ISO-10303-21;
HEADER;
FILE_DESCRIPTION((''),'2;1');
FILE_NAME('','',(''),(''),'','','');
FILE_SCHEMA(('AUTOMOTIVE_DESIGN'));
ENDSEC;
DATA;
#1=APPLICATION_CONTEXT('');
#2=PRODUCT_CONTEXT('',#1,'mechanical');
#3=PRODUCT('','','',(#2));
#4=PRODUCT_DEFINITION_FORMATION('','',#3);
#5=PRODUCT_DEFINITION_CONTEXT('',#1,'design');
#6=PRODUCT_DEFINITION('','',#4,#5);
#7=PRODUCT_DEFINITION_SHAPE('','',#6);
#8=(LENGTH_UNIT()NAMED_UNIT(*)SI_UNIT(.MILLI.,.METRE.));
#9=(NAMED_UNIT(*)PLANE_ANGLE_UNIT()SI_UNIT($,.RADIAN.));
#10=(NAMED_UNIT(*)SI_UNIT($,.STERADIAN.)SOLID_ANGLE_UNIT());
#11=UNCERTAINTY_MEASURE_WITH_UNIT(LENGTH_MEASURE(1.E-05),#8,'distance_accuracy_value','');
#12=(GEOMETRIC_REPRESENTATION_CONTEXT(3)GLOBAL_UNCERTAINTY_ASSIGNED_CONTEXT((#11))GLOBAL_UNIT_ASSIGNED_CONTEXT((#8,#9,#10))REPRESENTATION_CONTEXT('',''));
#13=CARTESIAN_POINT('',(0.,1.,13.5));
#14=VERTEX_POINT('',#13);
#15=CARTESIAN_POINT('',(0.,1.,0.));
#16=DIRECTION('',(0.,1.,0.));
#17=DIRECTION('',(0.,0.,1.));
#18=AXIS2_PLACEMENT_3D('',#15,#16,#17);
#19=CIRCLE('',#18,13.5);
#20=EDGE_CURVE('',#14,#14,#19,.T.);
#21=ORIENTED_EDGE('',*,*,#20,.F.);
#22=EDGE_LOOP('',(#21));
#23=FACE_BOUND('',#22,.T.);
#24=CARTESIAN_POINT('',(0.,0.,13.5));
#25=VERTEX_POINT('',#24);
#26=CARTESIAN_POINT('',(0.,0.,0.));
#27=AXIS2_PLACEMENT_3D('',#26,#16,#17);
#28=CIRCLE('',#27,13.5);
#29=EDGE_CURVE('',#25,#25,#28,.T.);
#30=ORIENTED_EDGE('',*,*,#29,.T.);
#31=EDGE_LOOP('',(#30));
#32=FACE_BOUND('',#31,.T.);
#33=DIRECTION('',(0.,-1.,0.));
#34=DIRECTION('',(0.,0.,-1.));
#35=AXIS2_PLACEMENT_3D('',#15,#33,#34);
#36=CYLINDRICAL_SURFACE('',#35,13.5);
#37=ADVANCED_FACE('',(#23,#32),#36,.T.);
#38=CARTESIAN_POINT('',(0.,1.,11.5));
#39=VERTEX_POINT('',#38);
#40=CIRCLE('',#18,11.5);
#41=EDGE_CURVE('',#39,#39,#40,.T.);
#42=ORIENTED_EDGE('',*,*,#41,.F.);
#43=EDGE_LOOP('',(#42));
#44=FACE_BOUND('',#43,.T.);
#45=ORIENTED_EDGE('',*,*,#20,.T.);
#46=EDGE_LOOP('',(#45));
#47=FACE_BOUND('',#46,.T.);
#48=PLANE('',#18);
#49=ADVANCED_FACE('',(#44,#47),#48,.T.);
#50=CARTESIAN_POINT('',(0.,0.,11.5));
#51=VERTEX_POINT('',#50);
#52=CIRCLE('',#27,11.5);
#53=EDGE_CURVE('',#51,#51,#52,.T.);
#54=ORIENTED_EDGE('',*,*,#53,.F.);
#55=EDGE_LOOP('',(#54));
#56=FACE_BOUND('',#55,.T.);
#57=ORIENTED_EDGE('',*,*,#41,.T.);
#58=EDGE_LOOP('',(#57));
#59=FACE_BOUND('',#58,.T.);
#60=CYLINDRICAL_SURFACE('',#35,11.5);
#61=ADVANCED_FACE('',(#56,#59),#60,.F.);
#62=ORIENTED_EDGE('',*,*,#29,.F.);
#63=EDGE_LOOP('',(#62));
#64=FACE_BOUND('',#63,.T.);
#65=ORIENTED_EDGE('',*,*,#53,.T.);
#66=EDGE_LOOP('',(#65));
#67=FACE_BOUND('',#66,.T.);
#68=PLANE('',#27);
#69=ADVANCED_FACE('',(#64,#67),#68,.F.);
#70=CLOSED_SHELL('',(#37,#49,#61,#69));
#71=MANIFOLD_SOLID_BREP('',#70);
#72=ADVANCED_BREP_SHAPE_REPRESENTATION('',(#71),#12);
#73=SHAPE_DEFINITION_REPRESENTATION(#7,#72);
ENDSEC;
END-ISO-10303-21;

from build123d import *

# Parameters (mm, degrees)
SKETCH1_R           = 13.5
SKETCH1_R_2         = 11.5
BOSS_EXTRUDE1_DEPTH = 1


with BuildPart() as part:
    # Sketch1 → Boss-Extrude1 (new body)
    with BuildSketch(Plane(origin=(0, 0, 0), x_dir=(1, 0, 0), z_dir=(0, 1, 0))):
        with Locations(Location((0, 0, 0), (0, 0, 270))):
            Circle(SKETCH1_R)
        with Locations(Location((0, 0, 0), (0, 0, 270))):
            Circle(SKETCH1_R_2, mode=Mode.SUBTRACT)
    extrude(amount=BOSS_EXTRUDE1_DEPTH)


solid = part.part
